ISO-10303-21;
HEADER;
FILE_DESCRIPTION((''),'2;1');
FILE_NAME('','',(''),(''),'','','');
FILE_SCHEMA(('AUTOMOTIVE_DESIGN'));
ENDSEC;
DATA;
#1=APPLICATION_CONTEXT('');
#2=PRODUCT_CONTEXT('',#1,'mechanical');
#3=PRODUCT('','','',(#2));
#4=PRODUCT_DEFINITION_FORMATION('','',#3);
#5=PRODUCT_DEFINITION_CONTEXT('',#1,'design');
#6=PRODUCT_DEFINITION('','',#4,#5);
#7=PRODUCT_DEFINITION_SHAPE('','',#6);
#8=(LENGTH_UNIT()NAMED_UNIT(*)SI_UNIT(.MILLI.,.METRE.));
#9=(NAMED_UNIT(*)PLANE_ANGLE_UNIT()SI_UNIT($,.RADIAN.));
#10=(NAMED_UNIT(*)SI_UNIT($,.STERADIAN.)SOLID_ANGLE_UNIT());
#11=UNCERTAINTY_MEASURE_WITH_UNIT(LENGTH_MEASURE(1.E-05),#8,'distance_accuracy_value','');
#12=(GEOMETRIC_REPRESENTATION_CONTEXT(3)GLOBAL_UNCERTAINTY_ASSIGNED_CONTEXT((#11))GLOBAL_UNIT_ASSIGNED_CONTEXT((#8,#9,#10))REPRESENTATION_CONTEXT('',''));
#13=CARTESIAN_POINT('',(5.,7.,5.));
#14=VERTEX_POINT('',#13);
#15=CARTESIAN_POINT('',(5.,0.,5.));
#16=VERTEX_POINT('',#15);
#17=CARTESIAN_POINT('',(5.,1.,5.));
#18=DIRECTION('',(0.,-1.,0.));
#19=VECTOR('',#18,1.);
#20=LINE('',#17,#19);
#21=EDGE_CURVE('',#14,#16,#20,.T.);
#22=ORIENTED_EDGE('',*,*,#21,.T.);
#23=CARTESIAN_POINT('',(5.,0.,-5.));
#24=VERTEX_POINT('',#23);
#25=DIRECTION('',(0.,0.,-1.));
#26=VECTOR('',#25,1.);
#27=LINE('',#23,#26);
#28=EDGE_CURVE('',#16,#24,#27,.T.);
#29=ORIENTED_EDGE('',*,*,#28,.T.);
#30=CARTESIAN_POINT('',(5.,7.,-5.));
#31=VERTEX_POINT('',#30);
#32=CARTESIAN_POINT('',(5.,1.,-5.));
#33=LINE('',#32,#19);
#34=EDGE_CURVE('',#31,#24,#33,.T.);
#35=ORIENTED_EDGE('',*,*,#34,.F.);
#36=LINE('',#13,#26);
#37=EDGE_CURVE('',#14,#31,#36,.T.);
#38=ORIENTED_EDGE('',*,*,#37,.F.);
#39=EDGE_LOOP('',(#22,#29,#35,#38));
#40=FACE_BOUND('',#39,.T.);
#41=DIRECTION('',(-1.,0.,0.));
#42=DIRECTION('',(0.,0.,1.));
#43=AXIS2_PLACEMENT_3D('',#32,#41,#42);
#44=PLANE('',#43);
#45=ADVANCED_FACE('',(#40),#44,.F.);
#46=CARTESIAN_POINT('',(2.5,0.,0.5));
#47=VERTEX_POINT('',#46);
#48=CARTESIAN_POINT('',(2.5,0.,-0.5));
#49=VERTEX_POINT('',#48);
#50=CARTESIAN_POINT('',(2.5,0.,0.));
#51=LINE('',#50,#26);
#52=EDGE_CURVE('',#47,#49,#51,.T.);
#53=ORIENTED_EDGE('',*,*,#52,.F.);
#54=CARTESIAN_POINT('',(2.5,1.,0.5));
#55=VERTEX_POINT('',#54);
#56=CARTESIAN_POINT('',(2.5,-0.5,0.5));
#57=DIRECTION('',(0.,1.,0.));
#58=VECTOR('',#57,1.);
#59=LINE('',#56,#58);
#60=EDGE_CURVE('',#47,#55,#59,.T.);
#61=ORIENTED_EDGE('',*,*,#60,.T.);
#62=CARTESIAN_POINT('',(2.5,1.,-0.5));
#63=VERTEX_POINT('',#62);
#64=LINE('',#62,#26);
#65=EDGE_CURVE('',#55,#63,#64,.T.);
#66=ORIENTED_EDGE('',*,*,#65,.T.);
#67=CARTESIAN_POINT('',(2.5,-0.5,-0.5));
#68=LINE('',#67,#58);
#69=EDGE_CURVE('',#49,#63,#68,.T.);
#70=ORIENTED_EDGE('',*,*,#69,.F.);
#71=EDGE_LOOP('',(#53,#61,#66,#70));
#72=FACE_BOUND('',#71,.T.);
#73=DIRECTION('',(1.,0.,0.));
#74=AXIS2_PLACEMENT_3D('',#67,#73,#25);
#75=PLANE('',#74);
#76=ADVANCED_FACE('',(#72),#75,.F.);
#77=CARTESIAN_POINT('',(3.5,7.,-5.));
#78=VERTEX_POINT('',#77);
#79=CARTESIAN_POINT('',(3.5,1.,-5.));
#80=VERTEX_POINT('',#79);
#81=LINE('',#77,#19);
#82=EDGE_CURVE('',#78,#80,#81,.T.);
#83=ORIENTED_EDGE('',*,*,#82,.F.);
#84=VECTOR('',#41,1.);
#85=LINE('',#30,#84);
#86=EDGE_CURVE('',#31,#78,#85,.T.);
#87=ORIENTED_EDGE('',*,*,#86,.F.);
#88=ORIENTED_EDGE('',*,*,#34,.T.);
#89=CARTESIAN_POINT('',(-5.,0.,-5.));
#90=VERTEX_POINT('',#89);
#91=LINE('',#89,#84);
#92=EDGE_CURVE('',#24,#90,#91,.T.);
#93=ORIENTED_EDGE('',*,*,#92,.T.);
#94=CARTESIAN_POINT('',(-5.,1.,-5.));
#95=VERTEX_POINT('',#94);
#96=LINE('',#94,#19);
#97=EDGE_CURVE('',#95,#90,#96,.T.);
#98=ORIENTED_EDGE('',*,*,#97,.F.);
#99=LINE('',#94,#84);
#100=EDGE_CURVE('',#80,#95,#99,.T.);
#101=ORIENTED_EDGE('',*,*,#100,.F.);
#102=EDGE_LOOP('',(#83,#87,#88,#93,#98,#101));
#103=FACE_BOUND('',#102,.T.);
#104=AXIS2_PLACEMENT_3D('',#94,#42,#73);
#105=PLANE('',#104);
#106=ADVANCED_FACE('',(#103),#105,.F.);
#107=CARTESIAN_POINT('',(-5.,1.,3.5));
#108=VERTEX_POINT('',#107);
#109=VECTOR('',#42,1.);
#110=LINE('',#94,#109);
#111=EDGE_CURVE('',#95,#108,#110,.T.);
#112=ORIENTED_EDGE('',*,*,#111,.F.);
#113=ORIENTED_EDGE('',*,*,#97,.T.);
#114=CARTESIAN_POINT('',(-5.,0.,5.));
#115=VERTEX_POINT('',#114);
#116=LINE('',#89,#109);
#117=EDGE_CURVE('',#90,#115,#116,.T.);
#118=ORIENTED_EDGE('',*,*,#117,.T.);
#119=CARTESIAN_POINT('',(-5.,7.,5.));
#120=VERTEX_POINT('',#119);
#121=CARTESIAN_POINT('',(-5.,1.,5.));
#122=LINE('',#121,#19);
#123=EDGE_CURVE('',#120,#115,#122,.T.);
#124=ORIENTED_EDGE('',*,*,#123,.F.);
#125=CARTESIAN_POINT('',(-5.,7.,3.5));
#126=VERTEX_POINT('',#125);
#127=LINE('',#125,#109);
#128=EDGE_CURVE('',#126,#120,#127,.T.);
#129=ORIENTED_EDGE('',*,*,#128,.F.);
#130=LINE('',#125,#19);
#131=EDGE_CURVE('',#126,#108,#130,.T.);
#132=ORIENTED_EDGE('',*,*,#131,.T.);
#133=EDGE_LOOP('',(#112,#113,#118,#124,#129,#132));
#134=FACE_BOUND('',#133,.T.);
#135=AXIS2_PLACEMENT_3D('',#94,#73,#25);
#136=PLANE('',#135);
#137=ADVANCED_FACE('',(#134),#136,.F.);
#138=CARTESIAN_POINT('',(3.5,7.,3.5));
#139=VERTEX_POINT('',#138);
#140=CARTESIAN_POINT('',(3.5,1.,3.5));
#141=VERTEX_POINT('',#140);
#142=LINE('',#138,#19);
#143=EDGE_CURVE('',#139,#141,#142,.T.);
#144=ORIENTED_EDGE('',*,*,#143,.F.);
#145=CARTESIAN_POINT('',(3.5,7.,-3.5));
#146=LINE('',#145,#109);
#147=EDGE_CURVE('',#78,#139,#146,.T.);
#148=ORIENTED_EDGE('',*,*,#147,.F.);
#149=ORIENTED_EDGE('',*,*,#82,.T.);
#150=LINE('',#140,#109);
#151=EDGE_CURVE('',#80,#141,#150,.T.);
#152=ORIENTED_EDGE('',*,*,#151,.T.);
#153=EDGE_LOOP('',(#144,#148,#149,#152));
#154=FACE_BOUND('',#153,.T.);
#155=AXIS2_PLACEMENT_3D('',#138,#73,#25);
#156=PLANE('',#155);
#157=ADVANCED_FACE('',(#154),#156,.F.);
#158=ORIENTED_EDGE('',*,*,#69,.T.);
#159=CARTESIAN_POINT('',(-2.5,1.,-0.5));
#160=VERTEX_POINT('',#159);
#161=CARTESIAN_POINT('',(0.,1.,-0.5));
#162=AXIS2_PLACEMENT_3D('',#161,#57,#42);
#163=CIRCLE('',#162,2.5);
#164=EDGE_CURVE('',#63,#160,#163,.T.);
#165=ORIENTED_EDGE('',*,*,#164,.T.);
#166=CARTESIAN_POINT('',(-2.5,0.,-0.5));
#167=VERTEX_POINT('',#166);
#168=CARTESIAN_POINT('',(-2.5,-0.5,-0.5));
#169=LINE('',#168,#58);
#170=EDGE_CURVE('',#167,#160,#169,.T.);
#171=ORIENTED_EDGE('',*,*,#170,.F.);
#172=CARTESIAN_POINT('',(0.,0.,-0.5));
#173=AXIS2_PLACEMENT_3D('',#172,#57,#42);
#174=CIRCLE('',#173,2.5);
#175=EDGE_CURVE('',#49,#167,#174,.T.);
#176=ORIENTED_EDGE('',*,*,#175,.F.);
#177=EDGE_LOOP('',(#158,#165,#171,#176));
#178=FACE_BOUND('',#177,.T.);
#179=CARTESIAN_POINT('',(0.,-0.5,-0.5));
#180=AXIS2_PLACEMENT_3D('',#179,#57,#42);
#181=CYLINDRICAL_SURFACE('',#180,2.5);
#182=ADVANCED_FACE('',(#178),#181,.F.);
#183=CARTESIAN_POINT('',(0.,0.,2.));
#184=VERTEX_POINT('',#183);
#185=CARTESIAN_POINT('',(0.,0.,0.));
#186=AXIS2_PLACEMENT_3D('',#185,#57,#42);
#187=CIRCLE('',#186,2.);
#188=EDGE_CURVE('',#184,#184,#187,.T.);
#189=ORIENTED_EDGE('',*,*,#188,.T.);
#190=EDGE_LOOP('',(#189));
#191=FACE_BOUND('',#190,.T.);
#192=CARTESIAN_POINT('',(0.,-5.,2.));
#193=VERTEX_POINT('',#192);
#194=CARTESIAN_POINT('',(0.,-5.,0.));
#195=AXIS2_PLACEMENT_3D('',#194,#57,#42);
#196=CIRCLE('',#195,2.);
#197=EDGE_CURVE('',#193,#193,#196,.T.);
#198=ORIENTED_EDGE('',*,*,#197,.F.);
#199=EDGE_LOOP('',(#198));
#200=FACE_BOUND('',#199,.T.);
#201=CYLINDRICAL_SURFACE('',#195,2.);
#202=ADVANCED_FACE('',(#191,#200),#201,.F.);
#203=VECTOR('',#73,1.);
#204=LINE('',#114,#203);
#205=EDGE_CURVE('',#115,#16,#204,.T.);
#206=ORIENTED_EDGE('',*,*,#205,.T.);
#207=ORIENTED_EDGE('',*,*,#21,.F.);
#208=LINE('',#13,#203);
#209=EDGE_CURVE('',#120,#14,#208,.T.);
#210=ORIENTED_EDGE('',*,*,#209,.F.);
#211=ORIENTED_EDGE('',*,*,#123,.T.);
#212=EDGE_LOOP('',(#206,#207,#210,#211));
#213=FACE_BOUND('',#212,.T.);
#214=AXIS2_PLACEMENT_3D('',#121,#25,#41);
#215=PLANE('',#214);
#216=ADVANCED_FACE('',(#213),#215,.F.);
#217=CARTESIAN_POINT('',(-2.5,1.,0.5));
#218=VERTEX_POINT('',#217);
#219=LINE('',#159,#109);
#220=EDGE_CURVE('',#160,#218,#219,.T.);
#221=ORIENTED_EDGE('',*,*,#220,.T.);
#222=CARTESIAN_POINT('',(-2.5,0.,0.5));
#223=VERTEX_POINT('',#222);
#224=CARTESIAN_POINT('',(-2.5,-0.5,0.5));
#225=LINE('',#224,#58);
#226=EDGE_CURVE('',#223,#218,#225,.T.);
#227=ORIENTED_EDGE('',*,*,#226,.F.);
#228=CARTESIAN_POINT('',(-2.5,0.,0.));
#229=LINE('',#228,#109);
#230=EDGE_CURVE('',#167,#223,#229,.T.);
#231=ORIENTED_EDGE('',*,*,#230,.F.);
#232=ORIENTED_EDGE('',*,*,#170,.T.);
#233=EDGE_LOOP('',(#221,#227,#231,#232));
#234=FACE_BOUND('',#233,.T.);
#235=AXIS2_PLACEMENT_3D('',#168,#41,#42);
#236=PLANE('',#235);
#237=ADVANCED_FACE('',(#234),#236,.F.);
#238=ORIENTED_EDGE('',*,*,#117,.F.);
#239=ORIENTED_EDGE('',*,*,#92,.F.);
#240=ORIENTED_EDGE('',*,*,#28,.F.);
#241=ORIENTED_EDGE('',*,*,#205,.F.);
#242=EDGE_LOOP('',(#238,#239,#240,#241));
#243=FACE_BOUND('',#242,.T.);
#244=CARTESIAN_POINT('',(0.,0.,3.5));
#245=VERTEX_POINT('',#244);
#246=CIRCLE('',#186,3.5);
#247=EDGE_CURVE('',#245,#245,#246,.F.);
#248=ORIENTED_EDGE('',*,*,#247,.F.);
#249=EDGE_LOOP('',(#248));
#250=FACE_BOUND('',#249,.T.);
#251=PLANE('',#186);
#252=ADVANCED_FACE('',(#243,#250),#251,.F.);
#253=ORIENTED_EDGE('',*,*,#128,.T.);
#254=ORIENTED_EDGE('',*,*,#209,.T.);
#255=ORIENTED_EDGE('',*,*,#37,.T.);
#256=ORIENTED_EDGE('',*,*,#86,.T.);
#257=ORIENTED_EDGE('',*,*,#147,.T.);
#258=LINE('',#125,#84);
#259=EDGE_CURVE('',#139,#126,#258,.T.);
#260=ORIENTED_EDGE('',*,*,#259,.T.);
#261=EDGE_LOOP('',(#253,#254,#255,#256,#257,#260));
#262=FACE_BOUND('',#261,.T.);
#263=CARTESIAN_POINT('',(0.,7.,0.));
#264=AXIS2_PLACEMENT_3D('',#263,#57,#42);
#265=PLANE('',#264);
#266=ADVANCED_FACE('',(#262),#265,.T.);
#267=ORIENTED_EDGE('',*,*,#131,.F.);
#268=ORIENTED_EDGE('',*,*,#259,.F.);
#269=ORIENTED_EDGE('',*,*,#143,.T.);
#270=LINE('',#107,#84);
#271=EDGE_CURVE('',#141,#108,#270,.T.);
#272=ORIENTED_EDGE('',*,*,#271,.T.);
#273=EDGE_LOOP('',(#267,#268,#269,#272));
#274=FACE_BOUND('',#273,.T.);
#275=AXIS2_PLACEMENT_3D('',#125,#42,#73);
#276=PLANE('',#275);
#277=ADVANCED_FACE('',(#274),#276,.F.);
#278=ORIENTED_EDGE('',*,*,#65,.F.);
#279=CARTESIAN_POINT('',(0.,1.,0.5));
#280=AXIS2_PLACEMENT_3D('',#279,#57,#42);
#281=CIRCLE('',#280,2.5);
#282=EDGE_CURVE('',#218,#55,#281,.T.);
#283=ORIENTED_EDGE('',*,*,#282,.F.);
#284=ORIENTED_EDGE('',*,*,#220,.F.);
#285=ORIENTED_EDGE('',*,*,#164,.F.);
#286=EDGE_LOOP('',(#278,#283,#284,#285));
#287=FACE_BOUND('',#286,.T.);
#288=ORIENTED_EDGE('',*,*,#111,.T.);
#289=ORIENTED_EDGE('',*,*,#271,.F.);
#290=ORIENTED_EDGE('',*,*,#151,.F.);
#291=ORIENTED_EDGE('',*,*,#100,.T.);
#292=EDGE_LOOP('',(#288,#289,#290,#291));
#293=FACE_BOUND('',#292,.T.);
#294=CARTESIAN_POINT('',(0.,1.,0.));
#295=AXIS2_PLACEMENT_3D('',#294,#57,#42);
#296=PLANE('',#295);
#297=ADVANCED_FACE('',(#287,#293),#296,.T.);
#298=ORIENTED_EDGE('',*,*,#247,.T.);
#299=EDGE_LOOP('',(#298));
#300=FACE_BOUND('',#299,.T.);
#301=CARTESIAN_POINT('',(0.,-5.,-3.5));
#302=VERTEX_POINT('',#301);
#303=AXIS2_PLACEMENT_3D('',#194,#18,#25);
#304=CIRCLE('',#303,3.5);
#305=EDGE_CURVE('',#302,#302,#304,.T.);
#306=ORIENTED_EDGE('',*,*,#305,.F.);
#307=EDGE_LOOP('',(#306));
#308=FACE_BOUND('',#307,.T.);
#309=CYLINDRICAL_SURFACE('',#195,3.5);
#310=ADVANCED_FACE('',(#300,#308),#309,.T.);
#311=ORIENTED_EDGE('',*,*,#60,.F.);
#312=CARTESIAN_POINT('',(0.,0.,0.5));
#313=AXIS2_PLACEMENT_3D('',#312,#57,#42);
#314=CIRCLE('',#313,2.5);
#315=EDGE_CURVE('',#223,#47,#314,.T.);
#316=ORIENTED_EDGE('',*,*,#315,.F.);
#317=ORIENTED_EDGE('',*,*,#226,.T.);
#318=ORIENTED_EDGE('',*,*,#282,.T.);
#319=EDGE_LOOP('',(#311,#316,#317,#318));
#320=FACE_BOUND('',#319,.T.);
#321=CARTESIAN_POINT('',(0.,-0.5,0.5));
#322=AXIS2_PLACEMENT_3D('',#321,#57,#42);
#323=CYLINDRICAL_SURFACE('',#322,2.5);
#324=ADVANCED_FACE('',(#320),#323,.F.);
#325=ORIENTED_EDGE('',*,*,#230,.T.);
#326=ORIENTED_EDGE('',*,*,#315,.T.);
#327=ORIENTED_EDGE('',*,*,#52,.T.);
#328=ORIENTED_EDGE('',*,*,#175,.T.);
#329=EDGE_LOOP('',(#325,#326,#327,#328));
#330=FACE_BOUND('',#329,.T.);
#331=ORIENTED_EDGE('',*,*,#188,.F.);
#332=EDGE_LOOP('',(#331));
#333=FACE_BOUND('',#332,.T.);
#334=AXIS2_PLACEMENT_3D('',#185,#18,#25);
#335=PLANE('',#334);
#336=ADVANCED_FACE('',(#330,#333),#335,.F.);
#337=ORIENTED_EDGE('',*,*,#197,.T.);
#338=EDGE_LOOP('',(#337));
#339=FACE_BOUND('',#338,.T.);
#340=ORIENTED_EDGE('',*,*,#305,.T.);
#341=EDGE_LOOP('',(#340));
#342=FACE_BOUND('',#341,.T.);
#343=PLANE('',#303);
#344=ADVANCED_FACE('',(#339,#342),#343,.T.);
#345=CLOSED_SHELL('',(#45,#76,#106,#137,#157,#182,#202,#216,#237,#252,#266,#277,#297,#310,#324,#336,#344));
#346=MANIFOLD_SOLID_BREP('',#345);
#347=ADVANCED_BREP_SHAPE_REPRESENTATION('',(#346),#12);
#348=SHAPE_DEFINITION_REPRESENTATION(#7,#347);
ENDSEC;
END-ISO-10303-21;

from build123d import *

# Parameters (mm, degrees)
SKETCH1_W           = 10
SKETCH1_H           = 10
BOSS_EXTRUDE1_DEPTH = 1
CUT_EXTRUDE1_DEPTH  = 1.5
SKETCH3_R           = 3.5
BOSS_EXTRUDE2_DEPTH = 5
SKETCH4_R           = 2
CUT_EXTRUDE2_DEPTH  = 6
BOSS_EXTRUDE3_DEPTH = 6


with BuildPart() as part:
    # Sketch1 → Boss-Extrude1 (new body)
    with BuildSketch(Plane(origin=(0, 0, 0), x_dir=(1, 0, 0), z_dir=(0, 1, 0))):
        Rectangle(SKETCH1_W, SKETCH1_H)
    extrude(amount=BOSS_EXTRUDE1_DEPTH)

    # Sketch2 → Cut-Extrude1 (cut)
    with BuildSketch(Plane(origin=(0, 1, 0), x_dir=(1, 0, 0), z_dir=(0, 1, 0))):
        with BuildLine():
            Line((2.5, 0.5), (2.5, -0.5))
            ThreePointArc((2.5, -0.5), (0, -3), (-2.5, -0.5))
            Line((-2.5, -0.5), (-2.5, 0.5))
            ThreePointArc((-2.5, 0.5), (0, 3), (2.5, 0.5))
        make_face()
    extrude(amount=-CUT_EXTRUDE1_DEPTH, mode=Mode.SUBTRACT)

    # Sketch3 → Boss-Extrude2 (add)
    with BuildSketch(Plane.XZ):
        Circle(SKETCH3_R)
    extrude(amount=BOSS_EXTRUDE2_DEPTH)

    # Sketch4 → Cut-Extrude2 (cut, through all)
    with BuildSketch(Plane(origin=(0, 0, 0), x_dir=(1, 0, 0), z_dir=(0, 1, 0))):
        Circle(SKETCH4_R)
    extrude(amount=-CUT_EXTRUDE2_DEPTH, mode=Mode.SUBTRACT)

    # Sketch6 → Boss-Extrude3 (add)
    with BuildSketch(Plane(origin=(0, 1, 0), x_dir=(1, 0, 0), z_dir=(0, 1, 0))):
        Polygon((3.5, 3.5), (3.5, 5), (5, 5), (5, -5), (-5, -5), (-5, -3.5), (3.5, -3.5), align=None)
    extrude(amount=BOSS_EXTRUDE3_DEPTH)


solid = part.part
